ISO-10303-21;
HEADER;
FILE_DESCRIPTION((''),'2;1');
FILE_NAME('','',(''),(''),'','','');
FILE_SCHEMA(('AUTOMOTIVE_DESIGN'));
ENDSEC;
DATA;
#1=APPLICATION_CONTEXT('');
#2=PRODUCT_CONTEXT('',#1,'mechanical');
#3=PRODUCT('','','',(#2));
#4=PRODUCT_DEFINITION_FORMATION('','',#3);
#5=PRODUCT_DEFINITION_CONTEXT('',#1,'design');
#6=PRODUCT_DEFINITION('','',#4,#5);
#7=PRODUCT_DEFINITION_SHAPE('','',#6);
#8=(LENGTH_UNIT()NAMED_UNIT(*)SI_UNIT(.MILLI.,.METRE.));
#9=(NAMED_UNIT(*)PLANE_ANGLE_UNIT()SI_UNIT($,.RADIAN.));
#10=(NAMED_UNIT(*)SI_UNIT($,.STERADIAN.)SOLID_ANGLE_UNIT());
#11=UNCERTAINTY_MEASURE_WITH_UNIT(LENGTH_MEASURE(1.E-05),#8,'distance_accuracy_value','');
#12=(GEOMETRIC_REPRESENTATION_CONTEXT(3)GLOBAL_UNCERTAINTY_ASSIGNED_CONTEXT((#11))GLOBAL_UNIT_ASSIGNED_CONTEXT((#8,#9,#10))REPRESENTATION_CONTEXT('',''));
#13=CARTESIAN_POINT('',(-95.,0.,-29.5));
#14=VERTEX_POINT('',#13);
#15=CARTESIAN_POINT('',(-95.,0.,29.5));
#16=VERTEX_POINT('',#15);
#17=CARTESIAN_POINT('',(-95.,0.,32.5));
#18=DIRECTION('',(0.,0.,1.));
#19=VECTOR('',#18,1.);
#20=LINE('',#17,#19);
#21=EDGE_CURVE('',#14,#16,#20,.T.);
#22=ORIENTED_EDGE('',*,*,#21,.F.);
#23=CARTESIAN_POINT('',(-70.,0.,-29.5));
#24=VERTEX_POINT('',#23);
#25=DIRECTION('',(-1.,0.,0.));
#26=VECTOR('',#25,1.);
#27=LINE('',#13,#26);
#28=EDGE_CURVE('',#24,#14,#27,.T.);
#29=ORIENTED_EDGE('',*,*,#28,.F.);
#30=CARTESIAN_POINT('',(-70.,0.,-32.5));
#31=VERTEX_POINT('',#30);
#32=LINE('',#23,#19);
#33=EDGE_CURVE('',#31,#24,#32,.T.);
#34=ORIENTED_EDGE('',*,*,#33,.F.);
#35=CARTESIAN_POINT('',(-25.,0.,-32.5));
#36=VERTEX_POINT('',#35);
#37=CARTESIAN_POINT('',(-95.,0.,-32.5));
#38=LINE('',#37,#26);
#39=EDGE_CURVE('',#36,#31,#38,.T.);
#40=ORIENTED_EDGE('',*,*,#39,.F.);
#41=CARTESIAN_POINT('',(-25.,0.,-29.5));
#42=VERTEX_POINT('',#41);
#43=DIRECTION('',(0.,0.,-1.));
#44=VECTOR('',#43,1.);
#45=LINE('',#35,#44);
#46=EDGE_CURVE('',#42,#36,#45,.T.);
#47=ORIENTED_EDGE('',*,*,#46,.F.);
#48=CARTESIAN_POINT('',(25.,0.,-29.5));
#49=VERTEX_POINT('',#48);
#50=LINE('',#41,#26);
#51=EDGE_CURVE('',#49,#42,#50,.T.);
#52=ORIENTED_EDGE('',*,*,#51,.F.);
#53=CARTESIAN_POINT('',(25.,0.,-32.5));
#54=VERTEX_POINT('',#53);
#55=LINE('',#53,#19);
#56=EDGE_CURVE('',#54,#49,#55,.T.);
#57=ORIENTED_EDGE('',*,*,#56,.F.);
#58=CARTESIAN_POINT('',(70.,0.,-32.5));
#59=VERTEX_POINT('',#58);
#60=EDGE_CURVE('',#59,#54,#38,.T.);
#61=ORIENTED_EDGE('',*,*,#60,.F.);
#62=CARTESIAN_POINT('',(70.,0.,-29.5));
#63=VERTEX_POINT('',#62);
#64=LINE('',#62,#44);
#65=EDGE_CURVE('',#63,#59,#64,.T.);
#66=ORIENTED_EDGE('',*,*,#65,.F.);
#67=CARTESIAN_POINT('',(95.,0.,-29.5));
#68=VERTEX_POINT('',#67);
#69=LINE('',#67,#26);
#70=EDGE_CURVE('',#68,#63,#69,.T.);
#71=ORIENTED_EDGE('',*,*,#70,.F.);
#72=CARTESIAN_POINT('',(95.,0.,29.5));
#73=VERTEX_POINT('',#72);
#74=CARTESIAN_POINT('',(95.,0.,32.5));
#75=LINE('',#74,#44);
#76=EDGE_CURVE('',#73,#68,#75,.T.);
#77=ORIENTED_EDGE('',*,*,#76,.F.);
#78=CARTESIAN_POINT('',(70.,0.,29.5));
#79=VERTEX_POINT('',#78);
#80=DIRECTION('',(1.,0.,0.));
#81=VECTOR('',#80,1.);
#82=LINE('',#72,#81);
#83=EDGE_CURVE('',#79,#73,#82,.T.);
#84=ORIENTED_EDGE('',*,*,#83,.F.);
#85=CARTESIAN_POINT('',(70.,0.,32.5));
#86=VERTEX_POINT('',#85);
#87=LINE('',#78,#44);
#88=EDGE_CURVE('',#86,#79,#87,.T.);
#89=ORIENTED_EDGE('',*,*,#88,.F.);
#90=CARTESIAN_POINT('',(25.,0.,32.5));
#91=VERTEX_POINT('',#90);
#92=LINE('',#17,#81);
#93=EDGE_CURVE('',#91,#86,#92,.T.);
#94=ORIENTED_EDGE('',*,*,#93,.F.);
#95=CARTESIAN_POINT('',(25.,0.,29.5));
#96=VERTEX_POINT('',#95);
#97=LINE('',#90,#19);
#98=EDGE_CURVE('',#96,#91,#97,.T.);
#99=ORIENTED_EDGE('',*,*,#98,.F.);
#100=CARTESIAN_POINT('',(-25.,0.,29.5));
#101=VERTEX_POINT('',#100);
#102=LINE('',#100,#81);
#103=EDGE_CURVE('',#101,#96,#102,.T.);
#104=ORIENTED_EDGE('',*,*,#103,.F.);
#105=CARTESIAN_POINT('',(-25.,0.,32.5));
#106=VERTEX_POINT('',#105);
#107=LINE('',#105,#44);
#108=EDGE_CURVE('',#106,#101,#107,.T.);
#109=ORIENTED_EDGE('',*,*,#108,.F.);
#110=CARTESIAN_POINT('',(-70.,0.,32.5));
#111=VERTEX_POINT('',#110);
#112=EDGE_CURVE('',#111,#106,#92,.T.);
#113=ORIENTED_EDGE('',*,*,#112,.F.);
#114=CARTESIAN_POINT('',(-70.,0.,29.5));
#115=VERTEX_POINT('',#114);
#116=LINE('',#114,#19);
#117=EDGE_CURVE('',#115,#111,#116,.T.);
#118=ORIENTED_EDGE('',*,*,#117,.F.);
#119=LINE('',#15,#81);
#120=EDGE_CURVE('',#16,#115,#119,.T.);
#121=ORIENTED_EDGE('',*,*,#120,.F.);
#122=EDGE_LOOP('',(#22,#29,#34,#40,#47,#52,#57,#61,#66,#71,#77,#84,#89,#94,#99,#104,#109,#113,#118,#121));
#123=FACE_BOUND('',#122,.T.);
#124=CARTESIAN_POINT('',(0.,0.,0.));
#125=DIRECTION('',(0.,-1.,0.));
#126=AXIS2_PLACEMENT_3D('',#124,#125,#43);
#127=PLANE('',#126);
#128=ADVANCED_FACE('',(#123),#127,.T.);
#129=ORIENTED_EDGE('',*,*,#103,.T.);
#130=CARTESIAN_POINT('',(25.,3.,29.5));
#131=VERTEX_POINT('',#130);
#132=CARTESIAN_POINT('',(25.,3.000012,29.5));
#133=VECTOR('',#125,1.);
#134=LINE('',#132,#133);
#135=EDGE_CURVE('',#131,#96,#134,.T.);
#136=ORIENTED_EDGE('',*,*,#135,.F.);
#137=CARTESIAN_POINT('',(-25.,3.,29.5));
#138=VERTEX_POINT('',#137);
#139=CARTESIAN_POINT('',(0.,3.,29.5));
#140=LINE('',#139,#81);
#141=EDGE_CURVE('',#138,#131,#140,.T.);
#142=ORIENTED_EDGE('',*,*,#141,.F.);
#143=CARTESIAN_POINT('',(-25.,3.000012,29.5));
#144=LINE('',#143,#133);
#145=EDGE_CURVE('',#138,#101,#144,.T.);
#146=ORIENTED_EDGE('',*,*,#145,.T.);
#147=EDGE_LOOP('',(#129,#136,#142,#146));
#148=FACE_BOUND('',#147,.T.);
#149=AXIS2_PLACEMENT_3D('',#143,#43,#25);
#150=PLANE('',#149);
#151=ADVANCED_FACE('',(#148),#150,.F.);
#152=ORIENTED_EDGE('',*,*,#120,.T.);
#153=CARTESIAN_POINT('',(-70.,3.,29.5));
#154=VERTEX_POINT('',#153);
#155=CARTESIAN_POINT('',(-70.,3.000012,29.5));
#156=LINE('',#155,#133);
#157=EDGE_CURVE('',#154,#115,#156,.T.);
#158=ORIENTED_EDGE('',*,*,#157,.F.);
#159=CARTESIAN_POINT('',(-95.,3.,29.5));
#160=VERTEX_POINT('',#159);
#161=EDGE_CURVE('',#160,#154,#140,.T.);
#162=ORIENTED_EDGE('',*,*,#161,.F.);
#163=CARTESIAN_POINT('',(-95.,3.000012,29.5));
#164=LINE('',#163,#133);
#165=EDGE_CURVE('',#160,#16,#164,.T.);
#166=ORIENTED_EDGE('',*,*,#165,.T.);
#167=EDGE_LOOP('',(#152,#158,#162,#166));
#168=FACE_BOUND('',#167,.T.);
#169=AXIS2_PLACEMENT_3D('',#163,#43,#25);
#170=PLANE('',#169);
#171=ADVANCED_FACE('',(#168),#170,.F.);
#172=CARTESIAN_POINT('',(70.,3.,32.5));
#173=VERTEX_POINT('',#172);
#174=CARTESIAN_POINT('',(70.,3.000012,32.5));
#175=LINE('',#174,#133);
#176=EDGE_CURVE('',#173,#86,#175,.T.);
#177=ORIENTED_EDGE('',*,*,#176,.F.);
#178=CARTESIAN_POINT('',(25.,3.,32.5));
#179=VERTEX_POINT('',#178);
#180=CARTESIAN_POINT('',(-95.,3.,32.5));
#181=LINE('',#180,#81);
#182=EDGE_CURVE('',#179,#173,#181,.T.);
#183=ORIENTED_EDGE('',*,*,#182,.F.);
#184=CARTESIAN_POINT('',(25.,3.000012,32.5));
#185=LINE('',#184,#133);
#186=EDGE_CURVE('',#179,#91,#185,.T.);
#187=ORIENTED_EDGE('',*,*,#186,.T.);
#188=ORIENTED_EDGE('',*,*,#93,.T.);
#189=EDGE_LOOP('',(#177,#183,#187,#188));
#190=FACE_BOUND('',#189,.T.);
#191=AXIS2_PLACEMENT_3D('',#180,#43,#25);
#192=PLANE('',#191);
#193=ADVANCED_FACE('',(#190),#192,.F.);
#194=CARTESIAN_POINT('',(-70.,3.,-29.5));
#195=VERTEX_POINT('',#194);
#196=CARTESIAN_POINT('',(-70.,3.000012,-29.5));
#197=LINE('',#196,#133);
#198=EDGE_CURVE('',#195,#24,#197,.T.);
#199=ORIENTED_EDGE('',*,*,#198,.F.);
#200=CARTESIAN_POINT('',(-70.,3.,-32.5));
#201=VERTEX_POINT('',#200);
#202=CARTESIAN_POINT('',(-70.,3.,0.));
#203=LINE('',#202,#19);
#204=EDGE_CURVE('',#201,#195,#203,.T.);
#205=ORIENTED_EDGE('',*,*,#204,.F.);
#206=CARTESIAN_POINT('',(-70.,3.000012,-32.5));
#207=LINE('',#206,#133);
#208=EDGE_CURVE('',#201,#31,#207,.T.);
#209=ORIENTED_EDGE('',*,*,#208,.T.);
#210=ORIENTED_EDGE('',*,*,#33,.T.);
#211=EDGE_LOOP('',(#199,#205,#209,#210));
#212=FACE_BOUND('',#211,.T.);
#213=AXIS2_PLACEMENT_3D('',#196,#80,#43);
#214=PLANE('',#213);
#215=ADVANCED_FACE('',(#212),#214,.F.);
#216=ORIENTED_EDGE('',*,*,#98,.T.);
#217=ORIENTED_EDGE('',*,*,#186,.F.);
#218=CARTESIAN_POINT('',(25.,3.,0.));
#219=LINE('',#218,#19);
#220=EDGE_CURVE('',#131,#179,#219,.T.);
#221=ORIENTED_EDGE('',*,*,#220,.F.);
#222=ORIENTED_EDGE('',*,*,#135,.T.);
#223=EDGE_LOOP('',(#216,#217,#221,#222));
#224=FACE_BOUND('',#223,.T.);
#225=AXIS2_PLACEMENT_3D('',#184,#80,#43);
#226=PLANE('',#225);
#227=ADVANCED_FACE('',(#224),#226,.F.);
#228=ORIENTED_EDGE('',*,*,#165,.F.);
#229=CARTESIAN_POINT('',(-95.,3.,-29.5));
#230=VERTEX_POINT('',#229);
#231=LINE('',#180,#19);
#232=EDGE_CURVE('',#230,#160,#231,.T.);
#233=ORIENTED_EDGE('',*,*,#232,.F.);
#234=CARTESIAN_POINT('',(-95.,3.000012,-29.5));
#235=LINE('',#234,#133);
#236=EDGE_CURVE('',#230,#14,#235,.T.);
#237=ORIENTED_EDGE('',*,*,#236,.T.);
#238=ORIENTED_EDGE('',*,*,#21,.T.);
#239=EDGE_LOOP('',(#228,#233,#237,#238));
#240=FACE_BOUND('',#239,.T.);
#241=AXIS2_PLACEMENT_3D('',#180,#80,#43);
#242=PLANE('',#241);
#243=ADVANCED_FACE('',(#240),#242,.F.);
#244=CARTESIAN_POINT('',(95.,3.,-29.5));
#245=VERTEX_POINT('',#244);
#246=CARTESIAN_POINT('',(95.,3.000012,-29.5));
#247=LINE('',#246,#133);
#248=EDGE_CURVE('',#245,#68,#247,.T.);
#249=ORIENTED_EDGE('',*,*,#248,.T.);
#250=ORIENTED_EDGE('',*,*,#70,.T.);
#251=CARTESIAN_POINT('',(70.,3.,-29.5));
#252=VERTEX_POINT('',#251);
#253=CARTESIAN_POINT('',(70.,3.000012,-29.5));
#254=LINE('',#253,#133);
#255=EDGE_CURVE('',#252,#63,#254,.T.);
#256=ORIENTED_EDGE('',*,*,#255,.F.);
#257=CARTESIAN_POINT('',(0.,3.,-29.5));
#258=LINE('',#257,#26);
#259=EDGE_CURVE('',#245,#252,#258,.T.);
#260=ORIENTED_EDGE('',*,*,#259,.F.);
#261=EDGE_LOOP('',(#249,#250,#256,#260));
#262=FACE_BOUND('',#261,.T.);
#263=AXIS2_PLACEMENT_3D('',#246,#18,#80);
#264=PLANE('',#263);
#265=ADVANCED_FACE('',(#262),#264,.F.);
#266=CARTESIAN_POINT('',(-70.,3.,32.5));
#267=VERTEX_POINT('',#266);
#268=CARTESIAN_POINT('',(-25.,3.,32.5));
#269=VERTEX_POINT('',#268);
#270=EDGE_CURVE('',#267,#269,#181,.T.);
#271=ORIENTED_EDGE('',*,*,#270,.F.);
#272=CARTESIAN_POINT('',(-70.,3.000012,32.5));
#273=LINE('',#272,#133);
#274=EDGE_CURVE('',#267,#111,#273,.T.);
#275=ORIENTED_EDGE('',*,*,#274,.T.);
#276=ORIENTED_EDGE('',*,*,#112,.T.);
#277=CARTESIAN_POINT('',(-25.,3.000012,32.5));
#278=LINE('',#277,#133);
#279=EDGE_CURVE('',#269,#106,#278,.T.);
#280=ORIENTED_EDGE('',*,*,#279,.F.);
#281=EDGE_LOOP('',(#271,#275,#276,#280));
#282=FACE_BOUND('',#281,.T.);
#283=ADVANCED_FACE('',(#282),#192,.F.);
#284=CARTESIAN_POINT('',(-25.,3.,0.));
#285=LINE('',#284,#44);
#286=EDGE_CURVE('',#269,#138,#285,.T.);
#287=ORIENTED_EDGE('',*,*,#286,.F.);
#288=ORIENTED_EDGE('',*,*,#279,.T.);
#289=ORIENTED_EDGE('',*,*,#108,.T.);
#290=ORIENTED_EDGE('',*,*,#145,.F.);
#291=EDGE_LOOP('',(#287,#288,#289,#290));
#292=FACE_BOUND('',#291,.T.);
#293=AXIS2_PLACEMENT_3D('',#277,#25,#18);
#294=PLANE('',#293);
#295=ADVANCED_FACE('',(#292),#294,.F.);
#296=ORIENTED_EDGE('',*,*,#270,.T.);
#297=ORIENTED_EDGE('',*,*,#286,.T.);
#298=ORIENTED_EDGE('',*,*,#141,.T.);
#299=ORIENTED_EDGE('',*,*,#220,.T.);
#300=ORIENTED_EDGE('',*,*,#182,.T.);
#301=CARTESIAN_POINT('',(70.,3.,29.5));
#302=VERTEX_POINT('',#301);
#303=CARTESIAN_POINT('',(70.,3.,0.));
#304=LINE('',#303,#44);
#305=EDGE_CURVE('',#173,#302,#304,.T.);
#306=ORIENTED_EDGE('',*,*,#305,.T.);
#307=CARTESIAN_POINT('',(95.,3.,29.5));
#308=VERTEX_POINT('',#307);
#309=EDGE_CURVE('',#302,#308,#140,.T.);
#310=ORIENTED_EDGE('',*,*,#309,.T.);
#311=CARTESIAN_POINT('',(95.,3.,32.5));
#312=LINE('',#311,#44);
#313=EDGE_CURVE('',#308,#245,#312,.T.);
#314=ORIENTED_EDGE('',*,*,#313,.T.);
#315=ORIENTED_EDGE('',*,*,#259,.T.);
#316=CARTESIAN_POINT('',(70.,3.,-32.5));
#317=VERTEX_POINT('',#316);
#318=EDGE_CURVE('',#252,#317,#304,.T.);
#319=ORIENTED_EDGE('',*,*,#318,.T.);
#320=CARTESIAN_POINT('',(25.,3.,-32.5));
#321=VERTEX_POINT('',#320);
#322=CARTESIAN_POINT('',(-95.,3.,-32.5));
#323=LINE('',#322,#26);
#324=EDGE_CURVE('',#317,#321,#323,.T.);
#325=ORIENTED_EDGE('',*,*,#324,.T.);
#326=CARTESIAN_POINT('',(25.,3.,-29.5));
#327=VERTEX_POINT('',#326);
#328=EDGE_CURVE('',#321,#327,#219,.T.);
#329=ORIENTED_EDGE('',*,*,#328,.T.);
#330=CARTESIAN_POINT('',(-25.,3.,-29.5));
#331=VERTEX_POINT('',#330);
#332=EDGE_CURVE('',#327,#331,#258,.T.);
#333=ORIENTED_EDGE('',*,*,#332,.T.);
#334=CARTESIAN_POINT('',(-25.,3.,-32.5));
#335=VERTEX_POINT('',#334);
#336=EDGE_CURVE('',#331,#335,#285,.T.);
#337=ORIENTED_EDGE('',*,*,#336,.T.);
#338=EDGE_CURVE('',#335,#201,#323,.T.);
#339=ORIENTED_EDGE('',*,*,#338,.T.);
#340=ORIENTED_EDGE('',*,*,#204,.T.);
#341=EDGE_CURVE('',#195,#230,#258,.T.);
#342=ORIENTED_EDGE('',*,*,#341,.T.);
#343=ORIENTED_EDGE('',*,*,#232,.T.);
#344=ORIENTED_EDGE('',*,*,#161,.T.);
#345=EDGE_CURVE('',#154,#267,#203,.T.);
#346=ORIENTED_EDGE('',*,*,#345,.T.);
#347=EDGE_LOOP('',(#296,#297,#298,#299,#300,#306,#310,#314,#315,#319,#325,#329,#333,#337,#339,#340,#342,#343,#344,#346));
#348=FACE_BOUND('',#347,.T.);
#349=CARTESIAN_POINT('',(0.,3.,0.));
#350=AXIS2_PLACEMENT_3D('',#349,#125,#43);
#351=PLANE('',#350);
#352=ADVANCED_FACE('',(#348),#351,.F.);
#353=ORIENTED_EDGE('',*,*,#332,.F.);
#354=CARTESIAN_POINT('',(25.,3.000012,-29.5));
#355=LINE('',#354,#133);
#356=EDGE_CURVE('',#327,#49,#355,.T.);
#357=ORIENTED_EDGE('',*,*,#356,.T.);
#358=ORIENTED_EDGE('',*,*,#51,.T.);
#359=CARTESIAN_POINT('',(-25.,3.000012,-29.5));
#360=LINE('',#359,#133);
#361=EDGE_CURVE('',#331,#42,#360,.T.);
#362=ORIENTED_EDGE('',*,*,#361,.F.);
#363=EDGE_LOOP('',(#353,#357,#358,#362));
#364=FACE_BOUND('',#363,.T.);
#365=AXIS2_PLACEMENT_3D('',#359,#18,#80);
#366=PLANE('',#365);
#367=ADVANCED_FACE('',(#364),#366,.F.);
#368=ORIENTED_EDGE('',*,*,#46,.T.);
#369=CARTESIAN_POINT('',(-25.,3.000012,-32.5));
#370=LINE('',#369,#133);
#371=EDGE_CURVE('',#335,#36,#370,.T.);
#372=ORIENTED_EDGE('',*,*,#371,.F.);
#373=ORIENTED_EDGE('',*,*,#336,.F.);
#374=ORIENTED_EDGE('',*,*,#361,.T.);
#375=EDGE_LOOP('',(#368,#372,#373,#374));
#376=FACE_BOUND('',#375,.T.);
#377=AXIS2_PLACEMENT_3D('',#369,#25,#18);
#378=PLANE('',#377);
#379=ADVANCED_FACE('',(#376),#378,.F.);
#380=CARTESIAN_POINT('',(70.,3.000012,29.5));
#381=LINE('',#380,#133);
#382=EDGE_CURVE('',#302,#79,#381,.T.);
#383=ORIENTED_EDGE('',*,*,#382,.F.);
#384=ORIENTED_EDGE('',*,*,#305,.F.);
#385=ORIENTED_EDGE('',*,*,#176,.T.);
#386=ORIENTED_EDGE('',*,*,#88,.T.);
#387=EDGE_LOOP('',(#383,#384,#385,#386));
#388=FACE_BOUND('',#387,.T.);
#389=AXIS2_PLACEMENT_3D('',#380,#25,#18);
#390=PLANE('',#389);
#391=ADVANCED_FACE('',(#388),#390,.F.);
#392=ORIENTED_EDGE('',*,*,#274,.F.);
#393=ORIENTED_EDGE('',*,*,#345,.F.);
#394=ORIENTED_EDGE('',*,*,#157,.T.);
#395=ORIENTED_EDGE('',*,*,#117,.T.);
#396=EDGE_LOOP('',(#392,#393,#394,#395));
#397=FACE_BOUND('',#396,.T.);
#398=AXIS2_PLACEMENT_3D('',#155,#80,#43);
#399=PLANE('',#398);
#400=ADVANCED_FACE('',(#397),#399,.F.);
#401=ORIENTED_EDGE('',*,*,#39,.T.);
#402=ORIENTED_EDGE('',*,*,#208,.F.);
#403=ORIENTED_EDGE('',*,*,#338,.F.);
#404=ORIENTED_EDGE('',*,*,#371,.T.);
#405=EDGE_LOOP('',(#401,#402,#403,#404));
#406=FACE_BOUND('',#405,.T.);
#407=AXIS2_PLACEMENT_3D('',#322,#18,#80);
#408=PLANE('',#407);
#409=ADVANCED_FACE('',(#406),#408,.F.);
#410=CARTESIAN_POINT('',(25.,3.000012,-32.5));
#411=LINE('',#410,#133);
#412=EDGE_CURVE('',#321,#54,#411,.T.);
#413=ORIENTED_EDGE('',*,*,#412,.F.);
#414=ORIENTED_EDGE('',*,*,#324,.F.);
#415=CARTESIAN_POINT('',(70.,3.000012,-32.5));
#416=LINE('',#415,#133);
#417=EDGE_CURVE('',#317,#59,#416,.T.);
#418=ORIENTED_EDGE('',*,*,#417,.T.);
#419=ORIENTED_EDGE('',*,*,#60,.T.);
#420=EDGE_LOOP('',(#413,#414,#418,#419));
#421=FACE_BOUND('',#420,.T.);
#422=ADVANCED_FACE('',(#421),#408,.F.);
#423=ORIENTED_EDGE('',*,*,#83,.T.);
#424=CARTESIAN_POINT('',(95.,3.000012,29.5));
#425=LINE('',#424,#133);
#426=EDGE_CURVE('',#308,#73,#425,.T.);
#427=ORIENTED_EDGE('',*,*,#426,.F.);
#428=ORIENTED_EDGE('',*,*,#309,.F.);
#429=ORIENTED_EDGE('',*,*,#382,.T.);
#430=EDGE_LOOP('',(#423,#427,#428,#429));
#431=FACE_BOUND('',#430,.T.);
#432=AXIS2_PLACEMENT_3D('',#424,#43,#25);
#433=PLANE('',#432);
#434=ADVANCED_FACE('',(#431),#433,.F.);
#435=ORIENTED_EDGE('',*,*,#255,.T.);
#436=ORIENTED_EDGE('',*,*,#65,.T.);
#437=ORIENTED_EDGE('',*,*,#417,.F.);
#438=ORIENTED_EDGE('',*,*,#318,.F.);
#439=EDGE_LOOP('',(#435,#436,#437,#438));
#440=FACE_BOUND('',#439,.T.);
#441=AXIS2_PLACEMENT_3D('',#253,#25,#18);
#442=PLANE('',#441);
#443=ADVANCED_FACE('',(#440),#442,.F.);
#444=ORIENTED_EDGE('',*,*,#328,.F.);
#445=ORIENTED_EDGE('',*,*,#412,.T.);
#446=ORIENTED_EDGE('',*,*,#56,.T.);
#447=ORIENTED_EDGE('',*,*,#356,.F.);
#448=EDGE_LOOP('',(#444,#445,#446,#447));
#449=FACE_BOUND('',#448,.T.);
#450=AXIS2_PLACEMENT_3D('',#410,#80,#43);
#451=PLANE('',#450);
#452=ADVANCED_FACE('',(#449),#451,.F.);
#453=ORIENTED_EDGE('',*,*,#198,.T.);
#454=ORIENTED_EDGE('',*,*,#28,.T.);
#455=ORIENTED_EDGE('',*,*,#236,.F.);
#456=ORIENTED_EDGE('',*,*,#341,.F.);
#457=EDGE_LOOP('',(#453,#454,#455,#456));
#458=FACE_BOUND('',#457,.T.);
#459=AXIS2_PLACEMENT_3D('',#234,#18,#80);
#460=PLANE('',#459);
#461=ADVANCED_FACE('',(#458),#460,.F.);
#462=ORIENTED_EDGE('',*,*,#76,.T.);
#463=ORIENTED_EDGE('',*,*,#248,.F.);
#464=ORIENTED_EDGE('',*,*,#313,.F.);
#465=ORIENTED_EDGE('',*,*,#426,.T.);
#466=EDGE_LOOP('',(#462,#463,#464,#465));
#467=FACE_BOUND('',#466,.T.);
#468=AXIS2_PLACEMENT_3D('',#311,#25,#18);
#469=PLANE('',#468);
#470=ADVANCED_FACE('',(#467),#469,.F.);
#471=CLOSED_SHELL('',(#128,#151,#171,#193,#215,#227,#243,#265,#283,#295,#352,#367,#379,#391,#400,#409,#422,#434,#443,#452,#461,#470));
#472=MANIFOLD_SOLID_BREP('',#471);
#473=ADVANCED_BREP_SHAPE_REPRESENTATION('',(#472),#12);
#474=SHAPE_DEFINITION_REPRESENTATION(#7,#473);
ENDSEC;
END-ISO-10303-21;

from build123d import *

# Parameters (mm, degrees)
SKETCH1_W               = 190
SKETCH1_H               = 65
BOSS_EXTRUDE1_DEPTH     = 3
CUT_EXTRUDE1_DEPTH      = 101.450236436
CUT_EXTRUDE1_DEPTH_BACK = 3
SKETCH2_OUTSIDE_W       = 232.166
SKETCH2_OUTSIDE_H       = 107.166


with BuildPart() as part:
    # Sketch1 → Boss-Extrude1 (new body)
    with BuildSketch(Plane(origin=(0, 0, 0), x_dir=(1, 0, 0), z_dir=(0, 1, 0))):
        Rectangle(SKETCH1_W, SKETCH1_H)
    extrude(amount=BOSS_EXTRUDE1_DEPTH)

    # Sketch2 outside → Cut-Extrude1 (cut, two sides: drawn at the far end of the back side and taken through both)
    with BuildSketch(Plane(origin=(0, 3, 0), x_dir=(1, 0, 0), z_dir=(0, 1, 0)).offset(-CUT_EXTRUDE1_DEPTH_BACK)):
        Rectangle(SKETCH2_OUTSIDE_W, SKETCH2_OUTSIDE_H)
        Polygon((-95, 29.5), (-70, 29.5), (-70, 32.5), (-25, 32.5), (-25, 29.5), (25, 29.5), (25, 32.5), (70, 32.5), (70, 29.5), (95, 29.5), (95, -29.5), (70, -29.5), (70, -32.5), (25, -32.5), (25, -29.5), (-25, -29.5), (-25, -32.5), (-70, -32.5), (-70, -29.5), (-95, -29.5), align=None, mode=Mode.SUBTRACT)
    extrude(amount=CUT_EXTRUDE1_DEPTH + CUT_EXTRUDE1_DEPTH_BACK, mode=Mode.SUBTRACT)


solid = part.part
